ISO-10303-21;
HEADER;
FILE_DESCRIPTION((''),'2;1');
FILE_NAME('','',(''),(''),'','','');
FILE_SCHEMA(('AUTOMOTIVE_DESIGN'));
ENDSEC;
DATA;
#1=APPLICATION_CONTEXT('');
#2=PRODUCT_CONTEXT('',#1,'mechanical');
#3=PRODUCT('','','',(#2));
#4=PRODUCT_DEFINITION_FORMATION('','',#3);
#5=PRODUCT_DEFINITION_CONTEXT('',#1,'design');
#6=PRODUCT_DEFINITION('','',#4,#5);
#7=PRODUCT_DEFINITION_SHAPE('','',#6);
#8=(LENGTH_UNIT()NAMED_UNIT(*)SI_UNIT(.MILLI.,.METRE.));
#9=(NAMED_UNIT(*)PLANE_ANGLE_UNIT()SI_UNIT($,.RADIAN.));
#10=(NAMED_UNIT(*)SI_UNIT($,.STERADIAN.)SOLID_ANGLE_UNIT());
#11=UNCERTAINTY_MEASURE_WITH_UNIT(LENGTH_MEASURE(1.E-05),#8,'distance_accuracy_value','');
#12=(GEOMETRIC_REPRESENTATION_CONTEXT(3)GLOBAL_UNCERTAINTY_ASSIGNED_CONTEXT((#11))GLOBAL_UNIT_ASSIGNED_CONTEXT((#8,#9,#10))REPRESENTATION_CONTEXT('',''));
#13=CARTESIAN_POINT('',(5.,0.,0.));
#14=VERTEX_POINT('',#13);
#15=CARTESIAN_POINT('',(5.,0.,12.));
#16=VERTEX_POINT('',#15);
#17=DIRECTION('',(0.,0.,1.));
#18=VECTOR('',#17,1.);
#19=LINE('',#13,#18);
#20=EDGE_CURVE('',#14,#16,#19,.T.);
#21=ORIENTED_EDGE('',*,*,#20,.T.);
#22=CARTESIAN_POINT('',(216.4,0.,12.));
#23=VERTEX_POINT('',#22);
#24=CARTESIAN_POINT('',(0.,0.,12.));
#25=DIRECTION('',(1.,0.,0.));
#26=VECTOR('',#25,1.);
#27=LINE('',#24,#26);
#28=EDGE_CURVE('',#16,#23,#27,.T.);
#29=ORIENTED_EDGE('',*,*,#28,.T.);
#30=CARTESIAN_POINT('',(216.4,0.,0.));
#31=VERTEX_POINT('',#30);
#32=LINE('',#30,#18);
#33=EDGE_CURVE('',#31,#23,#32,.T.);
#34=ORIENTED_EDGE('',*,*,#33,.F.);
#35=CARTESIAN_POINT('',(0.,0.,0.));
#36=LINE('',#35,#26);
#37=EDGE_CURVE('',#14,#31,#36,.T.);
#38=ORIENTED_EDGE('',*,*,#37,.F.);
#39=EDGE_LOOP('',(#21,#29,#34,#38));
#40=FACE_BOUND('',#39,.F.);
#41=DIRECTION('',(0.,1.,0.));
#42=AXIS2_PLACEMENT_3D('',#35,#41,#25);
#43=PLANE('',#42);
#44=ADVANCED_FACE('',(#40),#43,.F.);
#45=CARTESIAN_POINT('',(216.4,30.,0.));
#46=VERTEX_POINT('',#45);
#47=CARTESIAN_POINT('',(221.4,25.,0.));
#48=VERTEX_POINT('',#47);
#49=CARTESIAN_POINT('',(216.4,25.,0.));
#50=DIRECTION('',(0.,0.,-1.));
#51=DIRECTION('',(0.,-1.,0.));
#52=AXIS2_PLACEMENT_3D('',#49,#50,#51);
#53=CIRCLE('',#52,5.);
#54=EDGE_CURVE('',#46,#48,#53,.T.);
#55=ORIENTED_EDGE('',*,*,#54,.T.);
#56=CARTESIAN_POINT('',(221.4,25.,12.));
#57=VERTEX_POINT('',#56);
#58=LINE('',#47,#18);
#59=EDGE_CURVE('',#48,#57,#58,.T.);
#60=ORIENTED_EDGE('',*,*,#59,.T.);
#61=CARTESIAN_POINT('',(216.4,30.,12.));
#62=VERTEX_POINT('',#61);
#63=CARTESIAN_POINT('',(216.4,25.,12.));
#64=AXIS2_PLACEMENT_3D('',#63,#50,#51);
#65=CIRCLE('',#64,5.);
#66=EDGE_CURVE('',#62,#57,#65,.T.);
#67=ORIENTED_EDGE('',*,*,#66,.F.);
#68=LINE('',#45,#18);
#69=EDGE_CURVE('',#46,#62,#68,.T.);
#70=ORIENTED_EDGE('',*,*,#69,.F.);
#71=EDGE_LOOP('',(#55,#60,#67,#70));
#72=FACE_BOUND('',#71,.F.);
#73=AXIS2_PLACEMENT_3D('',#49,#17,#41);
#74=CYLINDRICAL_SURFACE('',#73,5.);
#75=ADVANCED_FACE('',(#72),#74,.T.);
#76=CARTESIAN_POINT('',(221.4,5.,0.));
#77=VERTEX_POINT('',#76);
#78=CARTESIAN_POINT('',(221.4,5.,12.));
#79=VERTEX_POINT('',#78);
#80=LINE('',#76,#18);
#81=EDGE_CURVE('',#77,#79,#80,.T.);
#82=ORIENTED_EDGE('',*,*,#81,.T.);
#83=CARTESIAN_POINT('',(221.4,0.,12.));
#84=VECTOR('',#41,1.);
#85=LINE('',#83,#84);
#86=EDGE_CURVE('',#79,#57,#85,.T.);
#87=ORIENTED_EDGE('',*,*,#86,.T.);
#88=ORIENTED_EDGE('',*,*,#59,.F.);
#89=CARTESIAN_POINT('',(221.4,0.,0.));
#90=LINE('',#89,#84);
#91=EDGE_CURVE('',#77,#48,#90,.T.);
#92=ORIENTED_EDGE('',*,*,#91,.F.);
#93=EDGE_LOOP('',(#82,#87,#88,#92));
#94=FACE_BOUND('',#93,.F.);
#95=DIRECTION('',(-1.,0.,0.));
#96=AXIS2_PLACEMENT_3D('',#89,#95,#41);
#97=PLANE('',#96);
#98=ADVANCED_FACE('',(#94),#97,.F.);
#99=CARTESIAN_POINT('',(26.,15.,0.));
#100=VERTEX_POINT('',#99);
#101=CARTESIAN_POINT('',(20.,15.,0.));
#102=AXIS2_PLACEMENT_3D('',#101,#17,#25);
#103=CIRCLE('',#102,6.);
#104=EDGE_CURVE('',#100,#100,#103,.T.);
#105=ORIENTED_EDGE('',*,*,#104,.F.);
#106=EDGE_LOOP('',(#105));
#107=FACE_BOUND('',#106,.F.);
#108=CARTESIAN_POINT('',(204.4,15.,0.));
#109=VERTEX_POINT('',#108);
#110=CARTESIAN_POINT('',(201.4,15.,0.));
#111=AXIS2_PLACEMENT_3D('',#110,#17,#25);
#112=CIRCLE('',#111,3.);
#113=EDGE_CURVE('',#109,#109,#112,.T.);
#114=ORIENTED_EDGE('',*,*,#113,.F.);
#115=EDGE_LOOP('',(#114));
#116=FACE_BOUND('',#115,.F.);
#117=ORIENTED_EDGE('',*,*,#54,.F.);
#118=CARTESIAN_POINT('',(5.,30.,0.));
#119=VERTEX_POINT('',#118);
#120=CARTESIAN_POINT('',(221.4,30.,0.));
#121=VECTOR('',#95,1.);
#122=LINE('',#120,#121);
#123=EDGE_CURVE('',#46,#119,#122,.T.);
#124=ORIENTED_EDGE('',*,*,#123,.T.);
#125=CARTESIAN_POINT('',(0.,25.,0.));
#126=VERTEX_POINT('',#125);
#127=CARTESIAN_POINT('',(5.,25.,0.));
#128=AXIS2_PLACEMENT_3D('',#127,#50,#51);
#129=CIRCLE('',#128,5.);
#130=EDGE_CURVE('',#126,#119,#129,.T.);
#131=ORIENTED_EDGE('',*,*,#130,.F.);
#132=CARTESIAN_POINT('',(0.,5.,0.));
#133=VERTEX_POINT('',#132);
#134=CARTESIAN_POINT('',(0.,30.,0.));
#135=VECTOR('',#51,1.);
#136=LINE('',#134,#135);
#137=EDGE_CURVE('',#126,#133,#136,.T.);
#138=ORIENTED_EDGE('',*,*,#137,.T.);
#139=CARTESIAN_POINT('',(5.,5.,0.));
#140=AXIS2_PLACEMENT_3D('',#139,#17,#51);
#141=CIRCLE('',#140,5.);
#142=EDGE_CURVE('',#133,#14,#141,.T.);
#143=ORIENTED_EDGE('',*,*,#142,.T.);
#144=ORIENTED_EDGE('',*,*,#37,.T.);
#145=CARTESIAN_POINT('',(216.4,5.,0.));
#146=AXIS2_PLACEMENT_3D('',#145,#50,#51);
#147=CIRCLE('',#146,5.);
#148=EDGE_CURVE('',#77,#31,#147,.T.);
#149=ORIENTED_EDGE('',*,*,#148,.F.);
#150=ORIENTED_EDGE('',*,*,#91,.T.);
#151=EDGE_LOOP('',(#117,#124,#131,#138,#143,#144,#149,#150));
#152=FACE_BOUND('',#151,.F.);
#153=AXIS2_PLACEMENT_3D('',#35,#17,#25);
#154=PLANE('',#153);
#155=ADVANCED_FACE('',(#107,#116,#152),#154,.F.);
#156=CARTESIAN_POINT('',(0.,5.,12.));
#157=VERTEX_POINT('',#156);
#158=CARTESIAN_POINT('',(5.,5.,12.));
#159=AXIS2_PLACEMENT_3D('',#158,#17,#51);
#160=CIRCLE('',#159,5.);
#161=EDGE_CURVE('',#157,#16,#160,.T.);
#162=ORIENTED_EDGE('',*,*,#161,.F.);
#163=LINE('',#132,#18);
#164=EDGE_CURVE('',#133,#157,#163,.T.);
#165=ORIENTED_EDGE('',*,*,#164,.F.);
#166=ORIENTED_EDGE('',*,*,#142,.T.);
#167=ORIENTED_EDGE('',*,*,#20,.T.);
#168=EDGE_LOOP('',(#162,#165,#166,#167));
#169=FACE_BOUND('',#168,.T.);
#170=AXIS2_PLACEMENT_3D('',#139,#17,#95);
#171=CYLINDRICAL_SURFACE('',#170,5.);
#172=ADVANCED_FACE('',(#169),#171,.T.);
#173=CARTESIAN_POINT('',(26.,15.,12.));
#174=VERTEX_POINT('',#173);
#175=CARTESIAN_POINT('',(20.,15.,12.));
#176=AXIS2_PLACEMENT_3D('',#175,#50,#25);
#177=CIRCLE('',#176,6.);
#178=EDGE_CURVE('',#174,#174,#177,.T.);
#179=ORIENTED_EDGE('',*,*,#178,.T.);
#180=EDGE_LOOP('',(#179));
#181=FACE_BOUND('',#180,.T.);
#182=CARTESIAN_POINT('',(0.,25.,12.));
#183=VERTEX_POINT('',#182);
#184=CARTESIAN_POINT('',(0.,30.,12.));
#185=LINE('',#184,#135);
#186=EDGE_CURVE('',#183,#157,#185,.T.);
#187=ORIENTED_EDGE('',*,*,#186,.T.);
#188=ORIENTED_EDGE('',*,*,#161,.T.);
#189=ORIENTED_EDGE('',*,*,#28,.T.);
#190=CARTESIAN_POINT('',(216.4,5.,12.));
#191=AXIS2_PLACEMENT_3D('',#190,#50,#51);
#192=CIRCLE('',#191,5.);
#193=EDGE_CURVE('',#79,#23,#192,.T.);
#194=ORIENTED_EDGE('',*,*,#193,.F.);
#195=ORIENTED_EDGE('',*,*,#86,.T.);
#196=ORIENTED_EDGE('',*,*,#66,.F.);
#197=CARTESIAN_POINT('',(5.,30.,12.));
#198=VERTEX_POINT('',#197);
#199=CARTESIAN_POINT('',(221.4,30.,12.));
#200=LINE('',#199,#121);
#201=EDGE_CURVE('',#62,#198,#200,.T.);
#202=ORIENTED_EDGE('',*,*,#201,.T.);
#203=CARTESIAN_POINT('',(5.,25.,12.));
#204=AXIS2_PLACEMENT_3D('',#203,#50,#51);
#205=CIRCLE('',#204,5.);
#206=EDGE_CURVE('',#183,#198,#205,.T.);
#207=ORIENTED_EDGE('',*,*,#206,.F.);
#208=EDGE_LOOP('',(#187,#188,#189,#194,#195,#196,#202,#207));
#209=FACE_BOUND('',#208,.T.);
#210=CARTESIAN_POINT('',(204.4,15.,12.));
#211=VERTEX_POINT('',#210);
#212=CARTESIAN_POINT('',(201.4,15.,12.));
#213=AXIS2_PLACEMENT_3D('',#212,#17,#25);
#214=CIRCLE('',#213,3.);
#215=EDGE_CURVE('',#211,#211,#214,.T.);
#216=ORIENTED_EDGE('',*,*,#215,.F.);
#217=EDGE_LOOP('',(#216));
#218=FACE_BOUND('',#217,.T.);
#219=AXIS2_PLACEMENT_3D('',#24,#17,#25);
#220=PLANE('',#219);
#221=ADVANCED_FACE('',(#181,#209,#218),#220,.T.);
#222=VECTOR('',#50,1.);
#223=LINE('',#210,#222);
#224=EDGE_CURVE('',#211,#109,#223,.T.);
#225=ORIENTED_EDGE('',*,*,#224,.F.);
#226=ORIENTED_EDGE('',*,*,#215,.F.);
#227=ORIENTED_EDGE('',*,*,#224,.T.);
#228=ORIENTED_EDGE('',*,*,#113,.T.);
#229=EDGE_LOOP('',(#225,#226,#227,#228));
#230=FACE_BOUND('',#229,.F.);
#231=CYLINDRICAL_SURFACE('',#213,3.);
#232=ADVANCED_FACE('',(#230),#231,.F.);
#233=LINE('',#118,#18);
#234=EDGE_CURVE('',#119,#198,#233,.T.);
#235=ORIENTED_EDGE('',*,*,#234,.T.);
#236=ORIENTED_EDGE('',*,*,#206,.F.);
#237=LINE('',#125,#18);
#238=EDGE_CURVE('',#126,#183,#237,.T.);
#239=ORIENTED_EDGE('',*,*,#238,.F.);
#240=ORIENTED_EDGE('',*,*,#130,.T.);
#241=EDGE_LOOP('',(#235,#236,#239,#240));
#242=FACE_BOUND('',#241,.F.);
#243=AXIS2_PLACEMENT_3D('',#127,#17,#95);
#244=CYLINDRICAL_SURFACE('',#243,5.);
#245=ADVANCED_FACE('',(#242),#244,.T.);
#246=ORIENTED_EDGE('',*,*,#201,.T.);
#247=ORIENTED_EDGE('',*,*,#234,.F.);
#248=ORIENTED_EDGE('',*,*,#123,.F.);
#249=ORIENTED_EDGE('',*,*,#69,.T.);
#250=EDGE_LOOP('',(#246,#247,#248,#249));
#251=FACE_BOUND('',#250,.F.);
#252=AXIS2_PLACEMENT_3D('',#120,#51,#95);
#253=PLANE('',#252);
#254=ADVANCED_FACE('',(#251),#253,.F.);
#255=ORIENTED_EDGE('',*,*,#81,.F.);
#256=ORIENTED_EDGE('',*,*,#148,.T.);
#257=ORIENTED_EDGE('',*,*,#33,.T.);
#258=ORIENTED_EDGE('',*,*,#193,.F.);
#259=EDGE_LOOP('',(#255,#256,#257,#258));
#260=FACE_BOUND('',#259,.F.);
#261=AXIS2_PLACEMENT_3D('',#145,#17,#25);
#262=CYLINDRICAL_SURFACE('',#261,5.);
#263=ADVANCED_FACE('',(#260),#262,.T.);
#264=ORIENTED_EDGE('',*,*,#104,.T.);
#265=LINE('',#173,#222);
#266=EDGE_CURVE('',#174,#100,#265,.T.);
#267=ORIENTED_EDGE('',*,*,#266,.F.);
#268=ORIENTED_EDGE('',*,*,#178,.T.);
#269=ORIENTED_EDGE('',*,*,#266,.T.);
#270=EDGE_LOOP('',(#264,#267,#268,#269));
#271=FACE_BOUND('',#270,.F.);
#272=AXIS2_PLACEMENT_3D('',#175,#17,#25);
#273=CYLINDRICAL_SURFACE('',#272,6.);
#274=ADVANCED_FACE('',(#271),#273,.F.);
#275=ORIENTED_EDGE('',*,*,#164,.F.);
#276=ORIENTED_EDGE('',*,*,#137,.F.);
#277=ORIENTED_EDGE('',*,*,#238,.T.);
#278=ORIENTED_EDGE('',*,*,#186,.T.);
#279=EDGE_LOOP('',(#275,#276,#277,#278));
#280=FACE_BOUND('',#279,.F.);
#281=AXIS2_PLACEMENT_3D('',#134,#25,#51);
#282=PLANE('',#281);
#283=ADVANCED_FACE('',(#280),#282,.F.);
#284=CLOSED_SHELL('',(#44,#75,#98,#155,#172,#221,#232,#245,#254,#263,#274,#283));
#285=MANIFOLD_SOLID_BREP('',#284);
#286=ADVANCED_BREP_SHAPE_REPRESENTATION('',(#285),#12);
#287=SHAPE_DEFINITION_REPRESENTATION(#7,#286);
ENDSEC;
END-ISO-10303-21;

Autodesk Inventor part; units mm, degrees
ref_plane "YZ Plane" through (0, 0, 0) normal (1, 0, 0) x (0, 1, 0)
ref_plane "XZ Plane" through (0, 0, 0) normal (0, 1, 0) x (-1, 0, 0)
ref_plane "XY Plane" through (0, 0, 0) normal (0, 0, 1) x (1, 0, 0)
sketch "Sketch1" plane through (0, 0, 0) normal (0, 0, 1) x (1, 0, 0)
  line L0 (0, 0) -> (221.4, 0)
  line L1 (221.4, 0) -> (221.4, 30)
  line L2 (221.4, 30) -> (0, 30)
  line L3 (0, 30) -> (0, 0)
  dimension "d0" = 221.4
  dimension "d1" = 30
extrude "Extrusion1" add sketch "Sketch1" along normal blind 12
fillet "Fillet1" radius 5 4 edges at (221.4, 30, 6) (221.4, 0, 6) (0, 0, 6) (0, 30, 6)
sketch "Sketch2" plane through (0, 0, 12) normal (0, 0, 1) x (1, 0, 0)
  line L0 (0, 25) -> (0, 5) projected
  line L1 (0, 15) -> (20, 15)
  circle A0 centre (20, 15) radius 6
  line L2 (5, 0) -> (216.4, 0) projected
  line L3 (110.7, 0) -> (110.7, 30)
  line L4 (216.4, 30) -> (5, 30) projected
  line L5 (221.4, 5) -> (221.4, 25) projected
  line L6 (221.4, 15) -> (201.4, 15)
  circle A1 centre (201.4, 15) radius 3
  point P0 (0, 0)
  dimension "d5" = 20
  dimension "d6" = 12
  dimension "d10" = 20
  dimension "d11" = 6
extrude "Extrusion2" cut sketch "Sketch2" against normal through all
ref_plane "Work Plane1" through (0, 0, 6) normal (0, 0, 1) x (1, 0, 0)
properties part number "Fourbar-Crank"
